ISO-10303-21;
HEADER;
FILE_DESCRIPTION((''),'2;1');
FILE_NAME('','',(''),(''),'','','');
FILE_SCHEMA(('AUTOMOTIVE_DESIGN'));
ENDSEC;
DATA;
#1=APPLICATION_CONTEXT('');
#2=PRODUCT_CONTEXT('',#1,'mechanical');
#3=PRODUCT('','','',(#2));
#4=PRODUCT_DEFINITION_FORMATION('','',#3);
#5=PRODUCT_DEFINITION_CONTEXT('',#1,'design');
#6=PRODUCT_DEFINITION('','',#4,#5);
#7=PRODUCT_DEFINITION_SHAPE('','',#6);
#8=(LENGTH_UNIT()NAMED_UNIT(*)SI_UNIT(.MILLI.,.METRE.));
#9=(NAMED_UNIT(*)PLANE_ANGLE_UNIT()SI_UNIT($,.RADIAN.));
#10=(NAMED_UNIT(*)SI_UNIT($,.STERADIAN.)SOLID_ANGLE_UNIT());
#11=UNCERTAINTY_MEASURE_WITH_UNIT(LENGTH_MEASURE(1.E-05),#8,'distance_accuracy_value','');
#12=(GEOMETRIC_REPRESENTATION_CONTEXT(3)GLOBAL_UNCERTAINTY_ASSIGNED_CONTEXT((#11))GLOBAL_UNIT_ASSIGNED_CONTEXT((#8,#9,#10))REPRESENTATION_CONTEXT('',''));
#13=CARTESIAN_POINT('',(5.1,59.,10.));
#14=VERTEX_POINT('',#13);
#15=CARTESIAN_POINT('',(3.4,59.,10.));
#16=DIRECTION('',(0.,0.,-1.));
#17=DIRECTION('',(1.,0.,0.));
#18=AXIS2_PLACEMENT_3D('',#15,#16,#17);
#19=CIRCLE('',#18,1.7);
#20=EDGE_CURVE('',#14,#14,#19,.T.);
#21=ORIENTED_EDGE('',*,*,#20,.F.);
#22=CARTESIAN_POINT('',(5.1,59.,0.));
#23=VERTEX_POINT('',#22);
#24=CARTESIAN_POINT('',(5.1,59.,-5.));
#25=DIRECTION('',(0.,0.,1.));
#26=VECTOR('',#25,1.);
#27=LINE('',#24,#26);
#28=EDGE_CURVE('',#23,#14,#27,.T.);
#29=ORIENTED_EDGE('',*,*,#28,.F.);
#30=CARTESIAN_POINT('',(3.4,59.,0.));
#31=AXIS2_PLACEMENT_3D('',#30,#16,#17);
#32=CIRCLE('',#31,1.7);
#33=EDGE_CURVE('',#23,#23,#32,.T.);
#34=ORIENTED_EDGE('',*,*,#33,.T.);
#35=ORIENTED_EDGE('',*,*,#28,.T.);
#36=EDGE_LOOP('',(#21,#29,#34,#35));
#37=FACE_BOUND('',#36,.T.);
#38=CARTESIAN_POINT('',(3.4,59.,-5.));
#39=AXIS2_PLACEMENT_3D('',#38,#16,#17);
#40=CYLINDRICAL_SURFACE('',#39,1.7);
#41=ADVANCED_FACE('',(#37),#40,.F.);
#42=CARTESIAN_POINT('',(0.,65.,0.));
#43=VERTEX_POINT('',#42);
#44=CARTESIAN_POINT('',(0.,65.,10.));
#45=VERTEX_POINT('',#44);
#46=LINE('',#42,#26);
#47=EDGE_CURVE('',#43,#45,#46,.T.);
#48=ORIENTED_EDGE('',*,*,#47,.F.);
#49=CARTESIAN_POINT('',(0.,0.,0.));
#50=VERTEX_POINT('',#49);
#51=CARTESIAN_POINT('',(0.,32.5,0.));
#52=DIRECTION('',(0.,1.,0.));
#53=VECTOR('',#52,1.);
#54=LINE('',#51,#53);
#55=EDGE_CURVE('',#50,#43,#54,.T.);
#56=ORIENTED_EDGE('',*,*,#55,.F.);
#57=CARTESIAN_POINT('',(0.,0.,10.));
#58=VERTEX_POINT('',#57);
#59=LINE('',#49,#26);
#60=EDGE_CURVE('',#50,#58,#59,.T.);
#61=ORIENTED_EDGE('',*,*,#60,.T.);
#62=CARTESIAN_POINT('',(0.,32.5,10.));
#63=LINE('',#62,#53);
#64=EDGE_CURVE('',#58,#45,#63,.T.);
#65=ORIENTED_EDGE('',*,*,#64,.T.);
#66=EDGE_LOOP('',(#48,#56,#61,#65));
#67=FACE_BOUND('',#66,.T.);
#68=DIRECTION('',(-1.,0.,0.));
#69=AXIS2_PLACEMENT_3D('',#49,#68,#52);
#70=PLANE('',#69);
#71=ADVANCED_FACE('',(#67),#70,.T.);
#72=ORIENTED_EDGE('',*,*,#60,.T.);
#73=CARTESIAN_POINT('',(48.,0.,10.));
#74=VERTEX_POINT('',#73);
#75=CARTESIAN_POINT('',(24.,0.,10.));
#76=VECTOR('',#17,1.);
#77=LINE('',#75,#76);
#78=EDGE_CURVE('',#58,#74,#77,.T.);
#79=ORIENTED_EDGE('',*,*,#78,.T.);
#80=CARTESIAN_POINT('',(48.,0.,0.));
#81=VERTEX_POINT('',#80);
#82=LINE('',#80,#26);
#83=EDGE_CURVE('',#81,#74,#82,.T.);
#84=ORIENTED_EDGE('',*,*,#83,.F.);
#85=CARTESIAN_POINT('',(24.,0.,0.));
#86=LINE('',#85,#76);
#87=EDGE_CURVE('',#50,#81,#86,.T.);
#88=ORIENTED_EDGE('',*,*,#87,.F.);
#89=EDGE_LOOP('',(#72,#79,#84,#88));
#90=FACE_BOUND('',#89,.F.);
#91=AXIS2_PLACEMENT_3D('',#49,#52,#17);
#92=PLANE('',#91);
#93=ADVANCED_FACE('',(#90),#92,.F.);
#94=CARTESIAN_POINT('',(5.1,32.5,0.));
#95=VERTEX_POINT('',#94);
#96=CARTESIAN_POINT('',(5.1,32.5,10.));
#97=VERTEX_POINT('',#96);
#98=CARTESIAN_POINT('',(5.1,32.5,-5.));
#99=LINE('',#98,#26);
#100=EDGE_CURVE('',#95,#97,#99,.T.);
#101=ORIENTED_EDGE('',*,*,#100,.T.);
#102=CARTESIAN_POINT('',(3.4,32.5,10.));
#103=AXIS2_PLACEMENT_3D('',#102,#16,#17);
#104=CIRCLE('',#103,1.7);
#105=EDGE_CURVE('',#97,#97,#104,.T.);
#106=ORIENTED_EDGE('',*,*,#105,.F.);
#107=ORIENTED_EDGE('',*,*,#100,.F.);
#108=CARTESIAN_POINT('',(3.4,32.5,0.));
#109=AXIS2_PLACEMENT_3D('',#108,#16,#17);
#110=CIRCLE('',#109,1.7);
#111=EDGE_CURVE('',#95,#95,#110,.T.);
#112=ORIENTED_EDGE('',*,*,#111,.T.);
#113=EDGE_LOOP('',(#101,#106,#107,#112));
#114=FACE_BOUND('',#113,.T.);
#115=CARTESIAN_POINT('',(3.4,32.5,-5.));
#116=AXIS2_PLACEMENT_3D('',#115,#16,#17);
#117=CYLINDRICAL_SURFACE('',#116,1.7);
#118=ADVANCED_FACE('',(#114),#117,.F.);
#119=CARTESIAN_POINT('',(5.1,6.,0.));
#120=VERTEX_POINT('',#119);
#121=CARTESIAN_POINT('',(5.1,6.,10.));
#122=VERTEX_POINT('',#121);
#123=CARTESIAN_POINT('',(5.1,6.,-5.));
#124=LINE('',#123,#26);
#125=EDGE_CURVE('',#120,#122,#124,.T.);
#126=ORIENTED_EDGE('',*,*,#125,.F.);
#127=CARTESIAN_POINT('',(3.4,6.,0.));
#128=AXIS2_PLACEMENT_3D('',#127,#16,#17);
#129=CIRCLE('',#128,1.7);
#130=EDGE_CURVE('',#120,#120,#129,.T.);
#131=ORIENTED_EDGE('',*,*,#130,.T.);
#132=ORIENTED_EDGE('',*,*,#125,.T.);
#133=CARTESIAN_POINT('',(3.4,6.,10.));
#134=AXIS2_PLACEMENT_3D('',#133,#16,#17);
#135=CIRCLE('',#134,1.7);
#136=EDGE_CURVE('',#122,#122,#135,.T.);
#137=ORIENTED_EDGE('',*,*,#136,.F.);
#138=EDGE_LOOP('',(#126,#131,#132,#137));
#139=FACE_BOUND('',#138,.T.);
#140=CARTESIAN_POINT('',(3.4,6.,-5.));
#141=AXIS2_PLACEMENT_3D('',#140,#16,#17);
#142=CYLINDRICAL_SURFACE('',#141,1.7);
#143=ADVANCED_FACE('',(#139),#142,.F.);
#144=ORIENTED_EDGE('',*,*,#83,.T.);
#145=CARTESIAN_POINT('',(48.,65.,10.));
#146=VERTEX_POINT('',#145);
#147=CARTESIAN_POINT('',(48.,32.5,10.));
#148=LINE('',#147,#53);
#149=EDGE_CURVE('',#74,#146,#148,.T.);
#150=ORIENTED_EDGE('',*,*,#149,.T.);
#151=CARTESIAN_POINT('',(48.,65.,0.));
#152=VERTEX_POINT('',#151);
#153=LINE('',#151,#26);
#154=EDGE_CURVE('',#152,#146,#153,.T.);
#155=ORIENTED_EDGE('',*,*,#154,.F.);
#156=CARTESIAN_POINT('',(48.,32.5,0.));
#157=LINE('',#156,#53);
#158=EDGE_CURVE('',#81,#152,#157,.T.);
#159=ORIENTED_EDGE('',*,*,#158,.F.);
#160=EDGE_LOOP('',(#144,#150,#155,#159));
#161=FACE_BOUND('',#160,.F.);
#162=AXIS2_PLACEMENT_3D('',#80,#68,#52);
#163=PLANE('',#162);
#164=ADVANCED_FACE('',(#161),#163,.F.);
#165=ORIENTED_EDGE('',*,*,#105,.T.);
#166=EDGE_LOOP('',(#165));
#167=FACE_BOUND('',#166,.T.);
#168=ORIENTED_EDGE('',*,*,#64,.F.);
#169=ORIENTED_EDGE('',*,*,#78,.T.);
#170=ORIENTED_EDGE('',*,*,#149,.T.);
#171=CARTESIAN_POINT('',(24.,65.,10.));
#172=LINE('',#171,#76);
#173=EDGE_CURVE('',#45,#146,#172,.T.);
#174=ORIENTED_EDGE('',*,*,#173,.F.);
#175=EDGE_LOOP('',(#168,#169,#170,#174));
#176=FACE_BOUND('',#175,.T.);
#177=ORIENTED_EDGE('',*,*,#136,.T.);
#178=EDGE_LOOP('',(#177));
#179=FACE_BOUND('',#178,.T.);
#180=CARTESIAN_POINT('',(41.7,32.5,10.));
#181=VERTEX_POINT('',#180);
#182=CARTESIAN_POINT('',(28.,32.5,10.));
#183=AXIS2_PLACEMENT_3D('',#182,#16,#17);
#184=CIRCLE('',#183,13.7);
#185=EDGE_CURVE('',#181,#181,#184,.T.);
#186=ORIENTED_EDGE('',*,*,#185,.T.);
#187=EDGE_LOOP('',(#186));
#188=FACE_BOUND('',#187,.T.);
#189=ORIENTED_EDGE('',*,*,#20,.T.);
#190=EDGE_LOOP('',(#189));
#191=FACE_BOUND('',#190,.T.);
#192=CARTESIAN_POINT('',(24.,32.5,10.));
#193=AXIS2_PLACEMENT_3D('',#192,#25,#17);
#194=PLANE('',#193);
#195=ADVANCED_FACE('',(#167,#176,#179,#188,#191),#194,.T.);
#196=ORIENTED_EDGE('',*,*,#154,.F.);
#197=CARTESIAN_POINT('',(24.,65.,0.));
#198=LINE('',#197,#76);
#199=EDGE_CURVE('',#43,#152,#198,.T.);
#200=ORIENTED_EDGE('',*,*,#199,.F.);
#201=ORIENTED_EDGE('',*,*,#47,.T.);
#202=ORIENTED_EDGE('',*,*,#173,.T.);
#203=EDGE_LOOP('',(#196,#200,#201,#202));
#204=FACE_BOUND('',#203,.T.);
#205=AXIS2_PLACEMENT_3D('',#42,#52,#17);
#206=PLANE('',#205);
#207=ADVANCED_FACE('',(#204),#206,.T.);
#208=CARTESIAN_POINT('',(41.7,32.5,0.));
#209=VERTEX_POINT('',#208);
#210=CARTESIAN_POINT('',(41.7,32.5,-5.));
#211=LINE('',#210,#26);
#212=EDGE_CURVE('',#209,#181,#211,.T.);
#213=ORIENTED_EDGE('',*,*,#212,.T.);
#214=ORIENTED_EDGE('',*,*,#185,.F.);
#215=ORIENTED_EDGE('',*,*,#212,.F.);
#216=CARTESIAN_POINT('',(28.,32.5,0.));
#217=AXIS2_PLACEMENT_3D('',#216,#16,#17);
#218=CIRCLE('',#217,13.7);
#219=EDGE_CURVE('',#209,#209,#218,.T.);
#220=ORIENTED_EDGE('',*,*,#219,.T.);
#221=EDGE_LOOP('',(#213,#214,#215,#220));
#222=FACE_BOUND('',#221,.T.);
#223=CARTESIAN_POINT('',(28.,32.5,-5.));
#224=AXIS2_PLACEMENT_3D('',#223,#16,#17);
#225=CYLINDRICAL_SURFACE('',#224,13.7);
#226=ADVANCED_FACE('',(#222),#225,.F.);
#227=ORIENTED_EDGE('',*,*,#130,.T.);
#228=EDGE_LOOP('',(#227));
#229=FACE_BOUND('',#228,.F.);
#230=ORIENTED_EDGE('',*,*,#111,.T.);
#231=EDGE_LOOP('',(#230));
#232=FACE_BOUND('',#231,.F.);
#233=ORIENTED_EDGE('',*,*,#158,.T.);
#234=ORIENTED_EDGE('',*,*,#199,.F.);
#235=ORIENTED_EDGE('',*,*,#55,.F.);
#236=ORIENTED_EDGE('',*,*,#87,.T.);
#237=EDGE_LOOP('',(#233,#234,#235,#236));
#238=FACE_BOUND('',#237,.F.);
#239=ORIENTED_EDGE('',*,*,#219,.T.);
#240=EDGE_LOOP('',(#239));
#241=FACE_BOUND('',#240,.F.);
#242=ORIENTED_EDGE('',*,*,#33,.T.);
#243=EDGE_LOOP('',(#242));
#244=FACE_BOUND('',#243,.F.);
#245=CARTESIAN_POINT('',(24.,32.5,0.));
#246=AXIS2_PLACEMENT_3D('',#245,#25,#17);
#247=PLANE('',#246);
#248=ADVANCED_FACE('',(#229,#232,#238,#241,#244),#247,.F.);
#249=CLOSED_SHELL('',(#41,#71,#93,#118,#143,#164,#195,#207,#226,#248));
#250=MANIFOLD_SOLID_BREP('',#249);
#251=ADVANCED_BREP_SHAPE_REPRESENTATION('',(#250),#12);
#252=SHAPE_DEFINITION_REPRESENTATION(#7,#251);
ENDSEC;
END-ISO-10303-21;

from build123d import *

# Parameters (mm, degrees)
CYLINDER003_R     = 1.7
CYLINDER003_DEPTH = 20
CYLINDER005_R     = 1.7
CYLINDER005_DEPTH = 20
CYLINDER002_R     = 1.7
CYLINDER002_DEPTH = 20
CYLINDER_R        = 13.7
CYLINDER_DEPTH    = 50
BOX_W             = 48
BOX_H             = 65
BOX_DEPTH         = 10


with BuildPart() as cylinder003:
    # Cylinder003 → Cylinder003 (new body)
    with BuildSketch(Plane(origin=(3.4, 59, -5), x_dir=(1, 0, 0), z_dir=(0, 0, 1))):
        Circle(CYLINDER003_R)
    extrude(amount=CYLINDER003_DEPTH)


with BuildPart() as cylinder005:
    # Cylinder005 → Cylinder005 (new body)
    with BuildSketch(Plane(origin=(3.4, 6, -5), x_dir=(1, 0, 0), z_dir=(0, 0, 1))):
        Circle(CYLINDER005_R)
    extrude(amount=CYLINDER005_DEPTH)


with BuildPart() as cylinder002:
    # Cylinder002 → Cylinder002 (new body)
    with BuildSketch(Plane(origin=(3.4, 32.5, -5), x_dir=(1, 0, 0), z_dir=(0, 0, 1))):
        Circle(CYLINDER002_R)
    extrude(amount=CYLINDER002_DEPTH)


with BuildPart() as cylinder:
    # Cylinder → Cylinder (new body)
    with BuildSketch(Plane(origin=(28, 32.5, -5), x_dir=(1, 0, 0), z_dir=(0, 0, 1))):
        Circle(CYLINDER_R)
    extrude(amount=CYLINDER_DEPTH)


with BuildPart() as cut003:
    # Box → Box (new body)
    with BuildSketch(Plane.XY):
        with Locations((24, 32.5)):
            Rectangle(BOX_W, BOX_H)
    extrude(amount=BOX_DEPTH)

    # Cut: cut Cylinder
    add(cylinder.part, mode=Mode.SUBTRACT)

    # Cut001: cut Cylinder002
    add(cylinder002.part, mode=Mode.SUBTRACT)

    # Cut002: cut Cylinder005
    add(cylinder005.part, mode=Mode.SUBTRACT)

    # Cut003: cut Cylinder003
    add(cylinder003.part, mode=Mode.SUBTRACT)


solid = cut003.part
